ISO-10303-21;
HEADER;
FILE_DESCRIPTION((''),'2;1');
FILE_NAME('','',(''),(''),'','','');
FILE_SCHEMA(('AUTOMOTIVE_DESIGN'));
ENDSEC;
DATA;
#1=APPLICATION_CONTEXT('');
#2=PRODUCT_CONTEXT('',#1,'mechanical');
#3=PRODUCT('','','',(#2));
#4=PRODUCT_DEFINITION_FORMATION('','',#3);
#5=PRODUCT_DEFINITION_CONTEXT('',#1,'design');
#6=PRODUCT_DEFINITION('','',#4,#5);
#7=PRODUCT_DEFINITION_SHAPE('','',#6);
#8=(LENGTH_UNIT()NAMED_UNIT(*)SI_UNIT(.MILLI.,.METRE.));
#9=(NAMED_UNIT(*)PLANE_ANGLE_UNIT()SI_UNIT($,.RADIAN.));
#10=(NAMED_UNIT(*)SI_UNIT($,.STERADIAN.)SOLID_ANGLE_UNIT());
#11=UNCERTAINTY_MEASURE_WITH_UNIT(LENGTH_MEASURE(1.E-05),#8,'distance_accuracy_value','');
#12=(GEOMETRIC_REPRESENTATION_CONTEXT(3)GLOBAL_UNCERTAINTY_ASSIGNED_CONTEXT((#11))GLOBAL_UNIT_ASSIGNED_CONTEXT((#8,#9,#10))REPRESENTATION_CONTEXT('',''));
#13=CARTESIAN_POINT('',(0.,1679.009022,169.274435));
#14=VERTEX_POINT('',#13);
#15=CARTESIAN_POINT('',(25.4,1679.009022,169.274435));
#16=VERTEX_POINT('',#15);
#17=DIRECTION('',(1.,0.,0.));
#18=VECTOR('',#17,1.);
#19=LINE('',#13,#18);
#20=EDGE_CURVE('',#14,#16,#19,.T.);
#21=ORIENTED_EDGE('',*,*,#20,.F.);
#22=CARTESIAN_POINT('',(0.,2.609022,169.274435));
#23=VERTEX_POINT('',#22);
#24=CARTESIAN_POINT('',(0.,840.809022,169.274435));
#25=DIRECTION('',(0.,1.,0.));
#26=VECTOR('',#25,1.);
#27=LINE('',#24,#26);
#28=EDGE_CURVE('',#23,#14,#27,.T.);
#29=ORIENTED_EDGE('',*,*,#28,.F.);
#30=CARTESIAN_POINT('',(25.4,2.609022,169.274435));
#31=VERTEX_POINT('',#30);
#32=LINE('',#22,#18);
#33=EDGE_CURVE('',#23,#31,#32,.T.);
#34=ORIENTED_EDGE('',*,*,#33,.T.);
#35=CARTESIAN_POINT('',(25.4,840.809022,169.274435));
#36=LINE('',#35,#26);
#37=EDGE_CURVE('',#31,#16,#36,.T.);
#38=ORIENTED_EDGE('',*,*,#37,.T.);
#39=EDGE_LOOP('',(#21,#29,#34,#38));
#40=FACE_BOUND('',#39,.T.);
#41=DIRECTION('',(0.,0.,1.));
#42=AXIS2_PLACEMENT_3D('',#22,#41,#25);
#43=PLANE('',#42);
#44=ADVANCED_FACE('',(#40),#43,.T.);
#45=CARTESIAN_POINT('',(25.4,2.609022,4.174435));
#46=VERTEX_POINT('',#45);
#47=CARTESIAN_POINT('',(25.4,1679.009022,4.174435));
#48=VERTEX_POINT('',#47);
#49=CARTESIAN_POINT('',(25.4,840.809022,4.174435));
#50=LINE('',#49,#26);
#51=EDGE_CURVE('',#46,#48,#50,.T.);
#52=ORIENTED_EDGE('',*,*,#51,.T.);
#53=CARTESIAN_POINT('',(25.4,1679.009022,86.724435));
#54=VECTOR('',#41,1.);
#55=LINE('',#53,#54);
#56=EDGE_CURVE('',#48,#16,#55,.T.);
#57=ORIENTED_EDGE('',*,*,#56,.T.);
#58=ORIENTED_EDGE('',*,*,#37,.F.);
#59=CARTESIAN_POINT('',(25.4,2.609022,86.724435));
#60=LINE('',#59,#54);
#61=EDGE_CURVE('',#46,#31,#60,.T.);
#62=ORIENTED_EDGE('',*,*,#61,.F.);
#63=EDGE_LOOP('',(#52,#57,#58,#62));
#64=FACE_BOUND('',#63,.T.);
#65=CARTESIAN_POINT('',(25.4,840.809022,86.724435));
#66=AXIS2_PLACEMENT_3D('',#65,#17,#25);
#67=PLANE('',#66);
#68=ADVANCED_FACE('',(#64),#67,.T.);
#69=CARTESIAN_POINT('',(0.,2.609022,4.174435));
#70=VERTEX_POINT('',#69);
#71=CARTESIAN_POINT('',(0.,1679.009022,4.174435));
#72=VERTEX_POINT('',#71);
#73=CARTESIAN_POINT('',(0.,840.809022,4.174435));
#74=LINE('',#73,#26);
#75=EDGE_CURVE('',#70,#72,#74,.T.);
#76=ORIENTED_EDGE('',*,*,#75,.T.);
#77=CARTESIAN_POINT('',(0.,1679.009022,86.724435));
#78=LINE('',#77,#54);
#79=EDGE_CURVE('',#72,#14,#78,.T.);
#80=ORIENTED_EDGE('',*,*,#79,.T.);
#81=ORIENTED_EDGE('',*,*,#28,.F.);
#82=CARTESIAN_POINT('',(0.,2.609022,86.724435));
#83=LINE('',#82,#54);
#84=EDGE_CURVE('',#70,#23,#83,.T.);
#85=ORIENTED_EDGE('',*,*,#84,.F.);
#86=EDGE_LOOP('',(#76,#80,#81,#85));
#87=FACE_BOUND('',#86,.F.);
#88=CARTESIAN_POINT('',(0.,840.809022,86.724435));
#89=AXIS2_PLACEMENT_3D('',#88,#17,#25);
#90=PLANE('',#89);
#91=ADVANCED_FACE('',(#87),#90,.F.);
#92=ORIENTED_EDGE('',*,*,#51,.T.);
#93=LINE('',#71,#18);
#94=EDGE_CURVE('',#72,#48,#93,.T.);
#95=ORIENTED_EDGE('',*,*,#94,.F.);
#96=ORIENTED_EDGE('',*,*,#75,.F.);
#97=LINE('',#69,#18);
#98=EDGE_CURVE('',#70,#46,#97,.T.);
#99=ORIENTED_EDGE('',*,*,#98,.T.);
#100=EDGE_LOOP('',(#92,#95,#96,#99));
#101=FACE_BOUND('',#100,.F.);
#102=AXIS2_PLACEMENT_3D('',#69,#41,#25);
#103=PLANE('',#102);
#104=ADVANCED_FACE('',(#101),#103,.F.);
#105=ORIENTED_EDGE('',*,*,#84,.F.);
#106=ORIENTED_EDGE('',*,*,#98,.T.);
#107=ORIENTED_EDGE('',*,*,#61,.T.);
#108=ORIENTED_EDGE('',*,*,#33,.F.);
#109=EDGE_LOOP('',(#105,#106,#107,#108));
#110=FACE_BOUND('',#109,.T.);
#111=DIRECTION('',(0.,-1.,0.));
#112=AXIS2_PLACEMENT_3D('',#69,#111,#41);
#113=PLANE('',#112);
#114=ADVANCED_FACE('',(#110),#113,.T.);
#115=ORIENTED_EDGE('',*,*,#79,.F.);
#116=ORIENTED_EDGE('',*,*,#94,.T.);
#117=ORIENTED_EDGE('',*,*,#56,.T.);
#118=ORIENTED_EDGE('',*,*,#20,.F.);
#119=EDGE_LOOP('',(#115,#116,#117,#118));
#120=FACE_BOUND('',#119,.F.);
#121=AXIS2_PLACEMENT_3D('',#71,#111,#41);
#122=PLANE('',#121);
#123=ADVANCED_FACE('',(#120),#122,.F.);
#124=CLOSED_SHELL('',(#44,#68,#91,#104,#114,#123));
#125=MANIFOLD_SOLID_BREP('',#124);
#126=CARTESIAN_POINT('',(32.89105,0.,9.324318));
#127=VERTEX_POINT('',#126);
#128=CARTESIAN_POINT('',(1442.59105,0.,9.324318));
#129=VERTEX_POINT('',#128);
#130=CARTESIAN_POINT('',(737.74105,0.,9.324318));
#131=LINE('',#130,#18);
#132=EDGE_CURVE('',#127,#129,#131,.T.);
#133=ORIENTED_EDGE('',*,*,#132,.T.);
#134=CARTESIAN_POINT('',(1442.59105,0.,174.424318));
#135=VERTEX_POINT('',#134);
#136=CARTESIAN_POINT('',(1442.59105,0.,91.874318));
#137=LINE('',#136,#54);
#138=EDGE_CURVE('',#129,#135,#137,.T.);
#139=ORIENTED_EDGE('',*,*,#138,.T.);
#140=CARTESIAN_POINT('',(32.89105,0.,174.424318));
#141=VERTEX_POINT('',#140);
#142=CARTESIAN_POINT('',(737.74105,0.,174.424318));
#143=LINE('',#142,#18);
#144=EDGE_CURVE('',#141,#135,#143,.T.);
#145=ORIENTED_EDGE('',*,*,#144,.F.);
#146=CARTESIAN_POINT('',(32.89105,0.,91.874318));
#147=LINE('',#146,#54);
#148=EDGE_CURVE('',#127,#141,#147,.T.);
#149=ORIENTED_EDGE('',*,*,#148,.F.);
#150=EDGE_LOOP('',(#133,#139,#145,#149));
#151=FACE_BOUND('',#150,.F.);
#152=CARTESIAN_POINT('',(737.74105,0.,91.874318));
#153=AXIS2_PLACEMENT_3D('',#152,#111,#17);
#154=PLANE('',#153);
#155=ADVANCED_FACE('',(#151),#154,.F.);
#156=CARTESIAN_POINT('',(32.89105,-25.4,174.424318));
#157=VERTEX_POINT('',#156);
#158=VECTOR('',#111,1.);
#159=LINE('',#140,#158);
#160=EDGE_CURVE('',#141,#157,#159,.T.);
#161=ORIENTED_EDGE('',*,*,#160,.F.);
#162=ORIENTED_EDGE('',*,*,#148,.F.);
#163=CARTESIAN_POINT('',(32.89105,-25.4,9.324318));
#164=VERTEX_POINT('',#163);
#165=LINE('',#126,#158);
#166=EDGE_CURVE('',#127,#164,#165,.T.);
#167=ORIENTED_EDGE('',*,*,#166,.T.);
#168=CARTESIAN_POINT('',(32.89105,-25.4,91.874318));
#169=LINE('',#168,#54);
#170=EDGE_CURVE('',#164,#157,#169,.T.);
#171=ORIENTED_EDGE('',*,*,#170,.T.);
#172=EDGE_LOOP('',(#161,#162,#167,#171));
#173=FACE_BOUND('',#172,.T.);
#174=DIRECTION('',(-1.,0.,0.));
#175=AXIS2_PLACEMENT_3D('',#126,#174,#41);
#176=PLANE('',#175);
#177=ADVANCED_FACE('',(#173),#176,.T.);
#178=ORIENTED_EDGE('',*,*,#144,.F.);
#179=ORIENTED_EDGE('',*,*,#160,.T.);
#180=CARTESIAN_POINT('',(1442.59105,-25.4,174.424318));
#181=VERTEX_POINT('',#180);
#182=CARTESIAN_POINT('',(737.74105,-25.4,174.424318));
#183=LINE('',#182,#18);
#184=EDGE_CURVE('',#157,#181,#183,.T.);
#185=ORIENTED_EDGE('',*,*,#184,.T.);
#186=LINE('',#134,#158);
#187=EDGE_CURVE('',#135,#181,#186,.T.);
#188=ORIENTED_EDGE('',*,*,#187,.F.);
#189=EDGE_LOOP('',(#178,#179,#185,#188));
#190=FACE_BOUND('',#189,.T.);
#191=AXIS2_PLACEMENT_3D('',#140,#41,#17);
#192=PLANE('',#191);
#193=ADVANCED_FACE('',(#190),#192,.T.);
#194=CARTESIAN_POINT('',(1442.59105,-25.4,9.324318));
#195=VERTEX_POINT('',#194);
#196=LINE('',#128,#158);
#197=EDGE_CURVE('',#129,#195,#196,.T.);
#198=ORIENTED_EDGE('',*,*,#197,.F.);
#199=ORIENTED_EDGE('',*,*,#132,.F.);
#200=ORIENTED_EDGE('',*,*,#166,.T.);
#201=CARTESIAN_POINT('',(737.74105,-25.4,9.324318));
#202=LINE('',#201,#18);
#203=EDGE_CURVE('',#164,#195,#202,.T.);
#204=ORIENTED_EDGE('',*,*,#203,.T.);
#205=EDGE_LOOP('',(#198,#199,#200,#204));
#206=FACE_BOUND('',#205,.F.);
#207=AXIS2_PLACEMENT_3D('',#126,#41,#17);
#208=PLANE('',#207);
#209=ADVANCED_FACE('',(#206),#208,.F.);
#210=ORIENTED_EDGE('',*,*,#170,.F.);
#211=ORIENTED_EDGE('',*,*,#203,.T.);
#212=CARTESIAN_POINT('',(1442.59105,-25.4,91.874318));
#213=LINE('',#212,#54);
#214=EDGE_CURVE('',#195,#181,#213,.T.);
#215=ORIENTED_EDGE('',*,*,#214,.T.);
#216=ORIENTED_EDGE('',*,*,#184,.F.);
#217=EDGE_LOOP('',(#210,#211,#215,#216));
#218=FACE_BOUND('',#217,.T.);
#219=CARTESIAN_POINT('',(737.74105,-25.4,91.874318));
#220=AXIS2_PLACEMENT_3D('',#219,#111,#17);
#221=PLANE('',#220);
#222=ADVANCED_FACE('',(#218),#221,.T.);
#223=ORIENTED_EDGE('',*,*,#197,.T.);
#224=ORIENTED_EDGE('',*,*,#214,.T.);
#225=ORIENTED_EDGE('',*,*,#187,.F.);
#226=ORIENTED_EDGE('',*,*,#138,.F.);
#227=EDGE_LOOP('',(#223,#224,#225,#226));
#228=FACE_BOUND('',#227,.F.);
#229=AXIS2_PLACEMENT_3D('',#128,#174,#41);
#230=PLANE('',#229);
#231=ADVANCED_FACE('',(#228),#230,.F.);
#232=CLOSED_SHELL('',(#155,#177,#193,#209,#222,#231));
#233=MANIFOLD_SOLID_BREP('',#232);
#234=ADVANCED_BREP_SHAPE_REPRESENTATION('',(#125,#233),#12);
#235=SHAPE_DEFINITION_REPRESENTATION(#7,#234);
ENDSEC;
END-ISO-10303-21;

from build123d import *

# Parameters (mm, degrees)
F0_W     = 1676.4
F0_H     = 165.1
F1_DEPTH = 25.4
F2_W     = 1409.7
F2_H     = 165.1
F3_DEPTH = 25.4


with BuildPart() as f1:
    # F0 (on Right) → F1 (new body)
    with BuildSketch(Plane.YZ):
        with Locations((840.809022, 86.724435)):
            Rectangle(F0_W, F0_H)
    extrude(amount=F1_DEPTH)


with BuildPart() as f3:
    # F2 (on Front) → F3 (new body)
    with BuildSketch(Plane.XZ):
        with Locations((737.74105, 91.874318)):
            Rectangle(F2_W, F2_H)
    extrude(amount=F3_DEPTH)


solid = Compound([f1.part, f3.part])
